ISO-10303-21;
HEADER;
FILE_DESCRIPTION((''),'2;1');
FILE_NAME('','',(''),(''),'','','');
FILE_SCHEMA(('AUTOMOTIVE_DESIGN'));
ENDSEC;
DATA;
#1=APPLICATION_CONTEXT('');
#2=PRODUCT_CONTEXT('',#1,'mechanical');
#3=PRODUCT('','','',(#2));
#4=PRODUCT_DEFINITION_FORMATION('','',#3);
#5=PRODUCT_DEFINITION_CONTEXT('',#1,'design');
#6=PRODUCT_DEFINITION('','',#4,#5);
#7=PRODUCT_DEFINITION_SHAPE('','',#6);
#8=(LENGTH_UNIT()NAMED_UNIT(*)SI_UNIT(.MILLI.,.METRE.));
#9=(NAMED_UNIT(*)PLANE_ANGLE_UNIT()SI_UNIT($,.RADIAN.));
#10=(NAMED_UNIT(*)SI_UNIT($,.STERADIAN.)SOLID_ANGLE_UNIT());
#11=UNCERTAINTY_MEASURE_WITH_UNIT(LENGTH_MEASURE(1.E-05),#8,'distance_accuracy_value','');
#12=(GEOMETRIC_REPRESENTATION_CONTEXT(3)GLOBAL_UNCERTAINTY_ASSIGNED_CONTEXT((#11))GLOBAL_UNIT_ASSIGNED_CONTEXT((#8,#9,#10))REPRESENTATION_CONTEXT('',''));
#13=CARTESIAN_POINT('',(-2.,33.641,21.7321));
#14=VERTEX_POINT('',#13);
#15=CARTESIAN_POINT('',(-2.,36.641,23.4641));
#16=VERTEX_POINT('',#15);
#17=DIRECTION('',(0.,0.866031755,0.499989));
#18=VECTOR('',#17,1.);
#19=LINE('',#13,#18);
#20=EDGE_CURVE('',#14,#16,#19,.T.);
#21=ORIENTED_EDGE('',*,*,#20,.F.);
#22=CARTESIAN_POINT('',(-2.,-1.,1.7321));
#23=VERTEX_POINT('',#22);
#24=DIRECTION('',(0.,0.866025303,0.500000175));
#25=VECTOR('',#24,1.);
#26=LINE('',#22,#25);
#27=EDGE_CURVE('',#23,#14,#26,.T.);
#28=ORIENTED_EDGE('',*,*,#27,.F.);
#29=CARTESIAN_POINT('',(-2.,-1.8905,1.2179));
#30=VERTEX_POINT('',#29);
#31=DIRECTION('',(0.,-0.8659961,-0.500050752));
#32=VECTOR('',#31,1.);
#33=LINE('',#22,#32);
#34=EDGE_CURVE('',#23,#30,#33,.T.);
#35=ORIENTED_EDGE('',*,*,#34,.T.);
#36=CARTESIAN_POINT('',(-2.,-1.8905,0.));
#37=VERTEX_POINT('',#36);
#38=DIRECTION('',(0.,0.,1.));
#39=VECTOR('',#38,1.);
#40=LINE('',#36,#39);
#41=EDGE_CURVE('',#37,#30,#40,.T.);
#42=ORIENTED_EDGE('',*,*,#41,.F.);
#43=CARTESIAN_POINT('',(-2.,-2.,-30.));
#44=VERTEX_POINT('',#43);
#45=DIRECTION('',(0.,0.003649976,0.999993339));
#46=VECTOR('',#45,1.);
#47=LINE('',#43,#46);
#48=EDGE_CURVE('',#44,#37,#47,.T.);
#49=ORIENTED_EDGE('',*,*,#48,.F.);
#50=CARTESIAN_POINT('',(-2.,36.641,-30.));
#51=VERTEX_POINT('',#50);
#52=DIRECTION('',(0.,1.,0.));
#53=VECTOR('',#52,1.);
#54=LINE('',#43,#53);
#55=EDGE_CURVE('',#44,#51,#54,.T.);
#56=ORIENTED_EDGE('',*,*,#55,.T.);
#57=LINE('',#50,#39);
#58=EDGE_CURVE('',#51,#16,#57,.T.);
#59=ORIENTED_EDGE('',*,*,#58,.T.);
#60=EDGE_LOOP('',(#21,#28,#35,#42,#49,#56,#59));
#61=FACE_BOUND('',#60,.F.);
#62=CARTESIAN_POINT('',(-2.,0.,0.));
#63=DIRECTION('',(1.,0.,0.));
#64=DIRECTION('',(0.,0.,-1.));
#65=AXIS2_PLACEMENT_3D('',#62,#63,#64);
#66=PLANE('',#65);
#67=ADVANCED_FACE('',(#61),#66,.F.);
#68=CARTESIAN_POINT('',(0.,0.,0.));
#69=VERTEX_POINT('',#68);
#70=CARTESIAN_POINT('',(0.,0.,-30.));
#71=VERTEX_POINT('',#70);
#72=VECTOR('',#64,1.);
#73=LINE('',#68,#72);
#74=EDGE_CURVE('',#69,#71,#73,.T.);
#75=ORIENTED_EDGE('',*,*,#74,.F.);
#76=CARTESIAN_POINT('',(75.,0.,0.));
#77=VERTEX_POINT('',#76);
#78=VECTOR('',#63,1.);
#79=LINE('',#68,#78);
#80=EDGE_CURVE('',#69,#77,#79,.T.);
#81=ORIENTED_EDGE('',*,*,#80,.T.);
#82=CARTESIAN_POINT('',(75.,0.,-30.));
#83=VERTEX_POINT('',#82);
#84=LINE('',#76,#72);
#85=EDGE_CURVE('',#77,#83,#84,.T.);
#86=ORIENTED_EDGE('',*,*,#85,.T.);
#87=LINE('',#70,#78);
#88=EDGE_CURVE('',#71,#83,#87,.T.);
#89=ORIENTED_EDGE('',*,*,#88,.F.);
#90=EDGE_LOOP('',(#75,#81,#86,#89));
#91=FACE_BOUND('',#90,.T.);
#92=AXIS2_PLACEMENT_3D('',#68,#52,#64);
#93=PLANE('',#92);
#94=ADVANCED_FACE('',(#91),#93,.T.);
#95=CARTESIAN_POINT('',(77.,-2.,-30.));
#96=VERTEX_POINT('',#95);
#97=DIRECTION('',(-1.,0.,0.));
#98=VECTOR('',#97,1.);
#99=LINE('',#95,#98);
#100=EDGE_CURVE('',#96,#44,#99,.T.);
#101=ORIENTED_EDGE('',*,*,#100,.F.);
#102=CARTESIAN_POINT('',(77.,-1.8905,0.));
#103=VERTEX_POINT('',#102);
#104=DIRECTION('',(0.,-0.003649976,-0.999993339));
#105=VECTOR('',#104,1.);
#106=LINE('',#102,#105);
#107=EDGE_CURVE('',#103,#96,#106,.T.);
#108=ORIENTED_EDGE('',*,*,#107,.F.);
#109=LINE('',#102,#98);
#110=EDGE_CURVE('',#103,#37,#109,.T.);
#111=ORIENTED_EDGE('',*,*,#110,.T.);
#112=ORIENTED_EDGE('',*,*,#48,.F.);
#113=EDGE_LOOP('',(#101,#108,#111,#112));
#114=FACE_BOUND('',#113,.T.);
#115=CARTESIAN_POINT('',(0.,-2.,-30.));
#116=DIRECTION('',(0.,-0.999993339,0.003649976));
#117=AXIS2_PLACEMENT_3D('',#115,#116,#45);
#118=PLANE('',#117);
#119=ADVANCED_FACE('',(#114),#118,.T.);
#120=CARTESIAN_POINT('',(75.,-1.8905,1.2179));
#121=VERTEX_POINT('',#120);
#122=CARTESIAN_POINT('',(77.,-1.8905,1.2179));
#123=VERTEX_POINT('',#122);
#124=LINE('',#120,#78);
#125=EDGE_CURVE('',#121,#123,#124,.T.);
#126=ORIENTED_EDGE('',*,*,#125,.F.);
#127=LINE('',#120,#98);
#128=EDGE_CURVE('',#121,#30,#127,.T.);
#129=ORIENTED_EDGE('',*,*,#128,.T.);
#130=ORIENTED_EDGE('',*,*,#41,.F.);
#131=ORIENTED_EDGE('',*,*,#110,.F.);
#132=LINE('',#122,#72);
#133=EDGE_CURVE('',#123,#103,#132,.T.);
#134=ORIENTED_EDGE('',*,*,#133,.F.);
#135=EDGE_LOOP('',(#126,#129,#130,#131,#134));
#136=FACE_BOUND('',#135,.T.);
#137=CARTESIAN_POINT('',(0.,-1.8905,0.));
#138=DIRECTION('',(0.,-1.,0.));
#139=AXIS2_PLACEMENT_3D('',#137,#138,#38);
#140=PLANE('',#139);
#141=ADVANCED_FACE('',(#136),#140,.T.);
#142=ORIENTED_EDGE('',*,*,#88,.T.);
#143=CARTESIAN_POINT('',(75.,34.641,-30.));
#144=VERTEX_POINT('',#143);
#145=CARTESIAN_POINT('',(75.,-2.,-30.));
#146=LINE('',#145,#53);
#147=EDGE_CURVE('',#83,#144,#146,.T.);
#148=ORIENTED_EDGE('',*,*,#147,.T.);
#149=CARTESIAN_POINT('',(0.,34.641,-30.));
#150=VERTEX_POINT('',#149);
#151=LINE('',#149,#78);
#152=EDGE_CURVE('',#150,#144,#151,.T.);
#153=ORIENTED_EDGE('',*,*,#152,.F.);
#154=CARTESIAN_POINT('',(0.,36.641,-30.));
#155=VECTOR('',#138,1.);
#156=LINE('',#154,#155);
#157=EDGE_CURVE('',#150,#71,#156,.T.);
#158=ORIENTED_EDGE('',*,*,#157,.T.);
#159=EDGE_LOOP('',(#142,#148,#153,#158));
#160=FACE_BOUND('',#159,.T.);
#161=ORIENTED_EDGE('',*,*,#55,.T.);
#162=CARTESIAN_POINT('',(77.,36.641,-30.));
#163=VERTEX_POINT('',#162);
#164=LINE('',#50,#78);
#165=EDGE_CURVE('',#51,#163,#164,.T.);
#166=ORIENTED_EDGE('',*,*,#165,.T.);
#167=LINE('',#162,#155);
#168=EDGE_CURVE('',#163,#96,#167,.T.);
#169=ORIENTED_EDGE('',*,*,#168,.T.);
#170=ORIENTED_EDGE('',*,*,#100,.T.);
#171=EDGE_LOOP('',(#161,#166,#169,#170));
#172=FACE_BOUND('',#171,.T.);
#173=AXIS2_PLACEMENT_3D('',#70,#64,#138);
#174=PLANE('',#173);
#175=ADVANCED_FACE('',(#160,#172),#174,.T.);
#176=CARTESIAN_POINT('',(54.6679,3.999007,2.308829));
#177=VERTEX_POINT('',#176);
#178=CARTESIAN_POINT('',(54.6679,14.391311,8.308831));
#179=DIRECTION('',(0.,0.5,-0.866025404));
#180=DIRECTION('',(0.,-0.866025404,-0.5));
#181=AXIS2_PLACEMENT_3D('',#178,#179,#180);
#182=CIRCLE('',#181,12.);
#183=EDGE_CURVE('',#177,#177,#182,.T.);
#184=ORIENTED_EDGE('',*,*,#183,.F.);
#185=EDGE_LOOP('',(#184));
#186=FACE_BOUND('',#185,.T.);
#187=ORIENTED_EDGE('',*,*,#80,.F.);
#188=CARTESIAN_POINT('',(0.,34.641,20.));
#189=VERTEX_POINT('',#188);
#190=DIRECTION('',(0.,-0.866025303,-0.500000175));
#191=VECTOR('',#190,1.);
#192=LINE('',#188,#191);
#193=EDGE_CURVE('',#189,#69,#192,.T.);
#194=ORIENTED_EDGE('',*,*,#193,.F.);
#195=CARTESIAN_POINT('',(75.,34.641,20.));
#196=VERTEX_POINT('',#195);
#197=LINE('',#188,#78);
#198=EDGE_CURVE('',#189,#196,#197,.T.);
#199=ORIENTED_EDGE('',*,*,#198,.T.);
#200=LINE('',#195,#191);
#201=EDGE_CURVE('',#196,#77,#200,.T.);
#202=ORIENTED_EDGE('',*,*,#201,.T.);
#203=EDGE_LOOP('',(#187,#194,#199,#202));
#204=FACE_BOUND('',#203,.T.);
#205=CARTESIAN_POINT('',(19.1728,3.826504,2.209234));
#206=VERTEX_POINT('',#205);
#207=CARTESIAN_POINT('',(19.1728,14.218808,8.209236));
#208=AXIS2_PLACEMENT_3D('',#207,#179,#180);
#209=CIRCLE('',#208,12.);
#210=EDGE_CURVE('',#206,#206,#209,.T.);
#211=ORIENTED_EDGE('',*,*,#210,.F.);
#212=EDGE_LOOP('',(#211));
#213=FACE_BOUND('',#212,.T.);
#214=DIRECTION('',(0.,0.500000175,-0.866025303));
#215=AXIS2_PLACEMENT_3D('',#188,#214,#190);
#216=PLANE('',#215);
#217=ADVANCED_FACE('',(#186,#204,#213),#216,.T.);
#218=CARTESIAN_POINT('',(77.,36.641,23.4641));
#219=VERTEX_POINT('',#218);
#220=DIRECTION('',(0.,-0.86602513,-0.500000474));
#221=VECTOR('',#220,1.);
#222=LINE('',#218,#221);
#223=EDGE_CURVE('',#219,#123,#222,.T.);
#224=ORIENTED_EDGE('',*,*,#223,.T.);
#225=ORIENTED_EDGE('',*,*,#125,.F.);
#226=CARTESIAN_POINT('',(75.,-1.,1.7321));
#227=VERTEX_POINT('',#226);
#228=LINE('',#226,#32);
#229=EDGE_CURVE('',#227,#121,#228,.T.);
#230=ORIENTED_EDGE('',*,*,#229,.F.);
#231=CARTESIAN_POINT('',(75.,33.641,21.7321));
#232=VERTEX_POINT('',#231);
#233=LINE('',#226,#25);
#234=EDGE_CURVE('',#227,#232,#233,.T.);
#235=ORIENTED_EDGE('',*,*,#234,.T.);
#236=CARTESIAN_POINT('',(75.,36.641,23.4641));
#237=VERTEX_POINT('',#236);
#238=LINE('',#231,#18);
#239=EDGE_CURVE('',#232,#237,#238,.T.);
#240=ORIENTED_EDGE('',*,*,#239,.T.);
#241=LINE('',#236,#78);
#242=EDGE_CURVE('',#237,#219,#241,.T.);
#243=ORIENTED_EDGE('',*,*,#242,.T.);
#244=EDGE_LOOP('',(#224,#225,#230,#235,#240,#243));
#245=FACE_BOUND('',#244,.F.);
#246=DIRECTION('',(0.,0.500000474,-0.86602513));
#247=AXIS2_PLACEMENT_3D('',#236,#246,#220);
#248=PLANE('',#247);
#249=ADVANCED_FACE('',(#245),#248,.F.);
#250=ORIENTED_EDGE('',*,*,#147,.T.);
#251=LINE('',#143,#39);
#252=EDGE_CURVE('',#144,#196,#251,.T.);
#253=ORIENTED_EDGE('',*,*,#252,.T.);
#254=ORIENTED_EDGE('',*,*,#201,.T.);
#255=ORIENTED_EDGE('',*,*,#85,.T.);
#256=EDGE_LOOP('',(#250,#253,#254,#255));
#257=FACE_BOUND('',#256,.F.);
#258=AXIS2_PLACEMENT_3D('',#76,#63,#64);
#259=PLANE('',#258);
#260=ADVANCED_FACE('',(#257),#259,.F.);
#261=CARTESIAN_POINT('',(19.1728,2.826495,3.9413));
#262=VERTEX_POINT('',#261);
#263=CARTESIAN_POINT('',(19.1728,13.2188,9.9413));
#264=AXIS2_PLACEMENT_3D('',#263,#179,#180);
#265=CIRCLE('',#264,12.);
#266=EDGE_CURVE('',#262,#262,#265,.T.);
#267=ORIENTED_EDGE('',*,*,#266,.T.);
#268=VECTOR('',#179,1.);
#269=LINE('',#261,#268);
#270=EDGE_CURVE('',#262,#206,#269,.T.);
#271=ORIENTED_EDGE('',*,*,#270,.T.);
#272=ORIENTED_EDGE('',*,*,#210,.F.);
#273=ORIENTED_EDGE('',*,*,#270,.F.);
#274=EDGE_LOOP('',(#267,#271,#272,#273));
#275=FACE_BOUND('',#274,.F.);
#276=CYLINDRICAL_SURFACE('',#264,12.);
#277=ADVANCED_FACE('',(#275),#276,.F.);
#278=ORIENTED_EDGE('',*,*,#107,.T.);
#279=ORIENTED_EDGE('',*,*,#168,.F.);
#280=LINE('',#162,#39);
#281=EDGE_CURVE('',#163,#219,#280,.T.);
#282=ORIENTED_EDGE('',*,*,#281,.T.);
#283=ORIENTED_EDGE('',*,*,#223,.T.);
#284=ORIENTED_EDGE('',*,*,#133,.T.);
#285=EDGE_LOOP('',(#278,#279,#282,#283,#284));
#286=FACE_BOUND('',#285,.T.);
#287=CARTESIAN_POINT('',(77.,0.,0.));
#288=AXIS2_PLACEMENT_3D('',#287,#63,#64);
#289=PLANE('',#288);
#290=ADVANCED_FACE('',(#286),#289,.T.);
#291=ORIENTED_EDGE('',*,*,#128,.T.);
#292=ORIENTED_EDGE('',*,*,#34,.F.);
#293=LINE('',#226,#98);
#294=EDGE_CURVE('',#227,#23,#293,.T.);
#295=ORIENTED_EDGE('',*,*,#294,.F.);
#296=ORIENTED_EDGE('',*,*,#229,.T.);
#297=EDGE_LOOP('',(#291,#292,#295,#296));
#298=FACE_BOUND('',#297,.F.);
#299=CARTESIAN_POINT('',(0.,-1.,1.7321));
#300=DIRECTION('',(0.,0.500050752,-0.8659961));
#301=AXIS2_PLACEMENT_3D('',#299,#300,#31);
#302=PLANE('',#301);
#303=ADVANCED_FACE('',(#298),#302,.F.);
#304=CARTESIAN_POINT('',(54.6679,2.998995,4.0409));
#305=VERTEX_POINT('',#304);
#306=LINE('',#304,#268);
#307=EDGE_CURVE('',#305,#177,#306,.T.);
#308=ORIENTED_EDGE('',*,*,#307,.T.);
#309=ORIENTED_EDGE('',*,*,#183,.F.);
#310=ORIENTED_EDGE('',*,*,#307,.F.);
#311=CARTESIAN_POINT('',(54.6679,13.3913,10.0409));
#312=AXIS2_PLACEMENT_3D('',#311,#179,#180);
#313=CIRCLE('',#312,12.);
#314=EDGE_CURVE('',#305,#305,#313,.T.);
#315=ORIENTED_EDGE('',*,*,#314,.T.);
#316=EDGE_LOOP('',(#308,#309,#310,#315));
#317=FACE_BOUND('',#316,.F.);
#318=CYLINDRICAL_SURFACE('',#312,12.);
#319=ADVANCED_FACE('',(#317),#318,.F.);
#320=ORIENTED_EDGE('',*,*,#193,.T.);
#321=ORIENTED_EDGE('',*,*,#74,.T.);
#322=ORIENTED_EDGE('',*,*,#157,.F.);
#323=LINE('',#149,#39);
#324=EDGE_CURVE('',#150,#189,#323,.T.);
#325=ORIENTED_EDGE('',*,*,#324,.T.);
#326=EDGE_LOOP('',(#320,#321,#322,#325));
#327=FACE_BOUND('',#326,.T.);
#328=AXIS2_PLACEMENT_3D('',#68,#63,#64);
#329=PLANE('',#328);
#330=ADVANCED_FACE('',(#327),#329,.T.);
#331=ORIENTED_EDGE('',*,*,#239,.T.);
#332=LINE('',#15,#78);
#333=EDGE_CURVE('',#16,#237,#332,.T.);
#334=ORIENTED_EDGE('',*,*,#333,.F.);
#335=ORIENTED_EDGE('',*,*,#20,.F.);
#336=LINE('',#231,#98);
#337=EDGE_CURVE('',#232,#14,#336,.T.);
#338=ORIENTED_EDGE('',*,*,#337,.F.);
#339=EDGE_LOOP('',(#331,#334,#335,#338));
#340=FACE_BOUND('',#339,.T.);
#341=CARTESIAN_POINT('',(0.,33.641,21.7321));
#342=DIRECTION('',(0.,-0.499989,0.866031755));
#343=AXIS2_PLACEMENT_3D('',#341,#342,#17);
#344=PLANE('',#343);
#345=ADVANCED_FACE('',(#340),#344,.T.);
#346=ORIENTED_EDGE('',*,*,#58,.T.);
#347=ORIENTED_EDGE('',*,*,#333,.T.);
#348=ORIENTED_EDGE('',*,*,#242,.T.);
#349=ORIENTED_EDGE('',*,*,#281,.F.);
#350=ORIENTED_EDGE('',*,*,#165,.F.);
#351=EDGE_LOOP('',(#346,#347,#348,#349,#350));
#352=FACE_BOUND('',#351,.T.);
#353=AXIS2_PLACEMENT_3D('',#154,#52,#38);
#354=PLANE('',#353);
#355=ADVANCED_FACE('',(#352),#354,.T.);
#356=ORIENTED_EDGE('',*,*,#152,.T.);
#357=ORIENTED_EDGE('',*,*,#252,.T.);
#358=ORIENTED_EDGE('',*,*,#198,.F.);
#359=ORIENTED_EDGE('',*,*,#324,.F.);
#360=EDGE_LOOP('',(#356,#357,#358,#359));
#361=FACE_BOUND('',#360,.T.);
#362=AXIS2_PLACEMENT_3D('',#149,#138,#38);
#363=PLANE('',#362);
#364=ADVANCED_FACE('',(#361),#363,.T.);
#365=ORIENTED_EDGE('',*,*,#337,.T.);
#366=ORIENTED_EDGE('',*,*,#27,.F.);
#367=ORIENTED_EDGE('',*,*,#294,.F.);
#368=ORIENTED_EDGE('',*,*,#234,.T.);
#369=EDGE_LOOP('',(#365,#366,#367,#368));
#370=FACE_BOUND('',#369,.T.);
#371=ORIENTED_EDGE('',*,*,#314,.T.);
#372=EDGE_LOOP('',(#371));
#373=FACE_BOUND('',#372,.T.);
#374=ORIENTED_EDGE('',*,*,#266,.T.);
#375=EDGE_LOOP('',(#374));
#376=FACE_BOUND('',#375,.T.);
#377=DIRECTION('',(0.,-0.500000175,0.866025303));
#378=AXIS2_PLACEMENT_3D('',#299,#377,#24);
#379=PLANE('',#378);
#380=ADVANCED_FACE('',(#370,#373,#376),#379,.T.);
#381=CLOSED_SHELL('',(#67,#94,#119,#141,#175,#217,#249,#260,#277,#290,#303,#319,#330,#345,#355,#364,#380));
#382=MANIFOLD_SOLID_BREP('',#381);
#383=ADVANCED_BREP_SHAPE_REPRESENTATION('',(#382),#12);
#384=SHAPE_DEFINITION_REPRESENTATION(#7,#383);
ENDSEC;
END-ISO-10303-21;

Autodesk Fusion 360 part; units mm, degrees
sketch "Sketch1" plane through (0, 0, 0) normal (1, 0, 0) x (0, 0, -1)
  line L0 (0, 0) -> (-20, 34.641)
  line L1 (0, 0) -> (40, 0) construction
  line L2 (-20, 34.641) -> (30, 34.641)
  line L3 (30, 34.641) -> (30, 0)
  line L4 (30, 0) -> (0, 0)
  dimension "d1" = 120
  dimension "d2" = 40
  dimension "d3" = 50
extrude "Extrude1" add sketch "Sketch1" against normal blind 2
sketch "Sketch2" plane through (0, 0, 0) normal (1, 0, 0) x (0, 0, -1)
  line L0 (0, 0) -> (2, 0) construction
  line L1 (30, 0) -> (30, 34.641)
  line L2 (30, 34.641) -> (-20, 34.641)
  line L3 (-20, 34.641) -> (0, 0)
  line L4 (0, 0) -> (30, 0)
  line L5 (-20, 34.641) -> (-18, 34.641) construction
  line L6 (30, 0) -> (30, -2)
  line L7 (30, 34.641) -> (30, 36.641)
  line L8 (30, 36.641) -> (-23.4641, 36.641)
  line L9 (-1.7321, -1) -> (-21.7321, 33.641)
  line L10 (30, -2) -> (0, -1.8905)
  line L11 (-21.7321, 33.641) -> (-23.4641, 36.641)
  line L12 (0, -1.8905) -> (-1.2179, -1.8905)
  line L13 (-1.7321, -1) -> (-1.2179, -1.8905)
  line L14 (30, 0) -> (0, 0)
  line L15 (-20, 34.641) -> (30, 34.641)
  dimension "d7" = 2
  dimension "d10" = 2
  dimension "d12" = 2
  dimension "d13" = 2
extrude "Extrude2" add sketch "Sketch2" against normal blind 2 contours L2 L3 L4 L6 L7 L8 L9 L10 L11 L12 L13 L14 L15
extrude "Extrude3" add sketch "Sketch2" along normal blind 75 contours L2 L3 L4 L6 L7 L8 L9 L10 L11 L12 L13 L14 L15
sketch "Sketch3" plane through (75, 0, 0) normal (1, 0, 0) x (0, 0, -1)
  line L0 (30, 34.641) -> (30, 36.641)
  line L1 (30, 36.641) -> (-23.4641, 36.641)
  line L2 (-23.4641, 36.641) -> (-1.2179, -1.8905)
  line L3 (-1.2179, -1.8905) -> (0, -1.8905)
  line L4 (0, -1.8905) -> (30, -2)
  line L5 (30, -2) -> (30, 0)
  line L6 (-23.4641, 36.641) -> (30, 36.641)
  line L7 (30, -2) -> (-1.2179, -1.8905)
  line L8 (30, 0) -> (0, 0)
  line L9 (0, 0) -> (-20, 34.641)
  line L10 (-20, 34.641) -> (30, 34.641)
  line L11 (30, 34.641) -> (30, 36.641)
  line L12 (30, 36.641) -> (-23.4641, 36.641)
  line L13 (-23.4641, 36.641) -> (-1.2179, -1.8905)
  line L14 (-1.2179, -1.8905) -> (0, -1.8905)
  line L15 (0, -1.8905) -> (30, -2)
  line L16 (30, -2) -> (30, 0)
  line L17 (30, -2) -> (30, 36.641)
  line L18 (30, 36.641) -> (-23.4641, 36.641)
  line L19 (-23.4641, 36.641) -> (-1.2179, -1.8905)
  line L20 (-1.2179, -1.8905) -> (30, -2)
extrude "Extrude4" add sketch "Sketch3" along normal blind 2 contours L0 L1 L2 L3 L4 L5 L6 L8 L9 L10 L11 L12 L13 L14 L15 L16 L17 L18 L19 | L8 L9 L10 L17
hole "Hole1" at (19.1728, 13.2188, 9.9413) direction (0, 0.5, -0.866) diameter 24 depth 20 tip angle 118
hole "Hole2" at (54.6679, 13.3913, 10.0409) direction (0, 0.5, -0.866) diameter 24 depth 20 tip angle 118
